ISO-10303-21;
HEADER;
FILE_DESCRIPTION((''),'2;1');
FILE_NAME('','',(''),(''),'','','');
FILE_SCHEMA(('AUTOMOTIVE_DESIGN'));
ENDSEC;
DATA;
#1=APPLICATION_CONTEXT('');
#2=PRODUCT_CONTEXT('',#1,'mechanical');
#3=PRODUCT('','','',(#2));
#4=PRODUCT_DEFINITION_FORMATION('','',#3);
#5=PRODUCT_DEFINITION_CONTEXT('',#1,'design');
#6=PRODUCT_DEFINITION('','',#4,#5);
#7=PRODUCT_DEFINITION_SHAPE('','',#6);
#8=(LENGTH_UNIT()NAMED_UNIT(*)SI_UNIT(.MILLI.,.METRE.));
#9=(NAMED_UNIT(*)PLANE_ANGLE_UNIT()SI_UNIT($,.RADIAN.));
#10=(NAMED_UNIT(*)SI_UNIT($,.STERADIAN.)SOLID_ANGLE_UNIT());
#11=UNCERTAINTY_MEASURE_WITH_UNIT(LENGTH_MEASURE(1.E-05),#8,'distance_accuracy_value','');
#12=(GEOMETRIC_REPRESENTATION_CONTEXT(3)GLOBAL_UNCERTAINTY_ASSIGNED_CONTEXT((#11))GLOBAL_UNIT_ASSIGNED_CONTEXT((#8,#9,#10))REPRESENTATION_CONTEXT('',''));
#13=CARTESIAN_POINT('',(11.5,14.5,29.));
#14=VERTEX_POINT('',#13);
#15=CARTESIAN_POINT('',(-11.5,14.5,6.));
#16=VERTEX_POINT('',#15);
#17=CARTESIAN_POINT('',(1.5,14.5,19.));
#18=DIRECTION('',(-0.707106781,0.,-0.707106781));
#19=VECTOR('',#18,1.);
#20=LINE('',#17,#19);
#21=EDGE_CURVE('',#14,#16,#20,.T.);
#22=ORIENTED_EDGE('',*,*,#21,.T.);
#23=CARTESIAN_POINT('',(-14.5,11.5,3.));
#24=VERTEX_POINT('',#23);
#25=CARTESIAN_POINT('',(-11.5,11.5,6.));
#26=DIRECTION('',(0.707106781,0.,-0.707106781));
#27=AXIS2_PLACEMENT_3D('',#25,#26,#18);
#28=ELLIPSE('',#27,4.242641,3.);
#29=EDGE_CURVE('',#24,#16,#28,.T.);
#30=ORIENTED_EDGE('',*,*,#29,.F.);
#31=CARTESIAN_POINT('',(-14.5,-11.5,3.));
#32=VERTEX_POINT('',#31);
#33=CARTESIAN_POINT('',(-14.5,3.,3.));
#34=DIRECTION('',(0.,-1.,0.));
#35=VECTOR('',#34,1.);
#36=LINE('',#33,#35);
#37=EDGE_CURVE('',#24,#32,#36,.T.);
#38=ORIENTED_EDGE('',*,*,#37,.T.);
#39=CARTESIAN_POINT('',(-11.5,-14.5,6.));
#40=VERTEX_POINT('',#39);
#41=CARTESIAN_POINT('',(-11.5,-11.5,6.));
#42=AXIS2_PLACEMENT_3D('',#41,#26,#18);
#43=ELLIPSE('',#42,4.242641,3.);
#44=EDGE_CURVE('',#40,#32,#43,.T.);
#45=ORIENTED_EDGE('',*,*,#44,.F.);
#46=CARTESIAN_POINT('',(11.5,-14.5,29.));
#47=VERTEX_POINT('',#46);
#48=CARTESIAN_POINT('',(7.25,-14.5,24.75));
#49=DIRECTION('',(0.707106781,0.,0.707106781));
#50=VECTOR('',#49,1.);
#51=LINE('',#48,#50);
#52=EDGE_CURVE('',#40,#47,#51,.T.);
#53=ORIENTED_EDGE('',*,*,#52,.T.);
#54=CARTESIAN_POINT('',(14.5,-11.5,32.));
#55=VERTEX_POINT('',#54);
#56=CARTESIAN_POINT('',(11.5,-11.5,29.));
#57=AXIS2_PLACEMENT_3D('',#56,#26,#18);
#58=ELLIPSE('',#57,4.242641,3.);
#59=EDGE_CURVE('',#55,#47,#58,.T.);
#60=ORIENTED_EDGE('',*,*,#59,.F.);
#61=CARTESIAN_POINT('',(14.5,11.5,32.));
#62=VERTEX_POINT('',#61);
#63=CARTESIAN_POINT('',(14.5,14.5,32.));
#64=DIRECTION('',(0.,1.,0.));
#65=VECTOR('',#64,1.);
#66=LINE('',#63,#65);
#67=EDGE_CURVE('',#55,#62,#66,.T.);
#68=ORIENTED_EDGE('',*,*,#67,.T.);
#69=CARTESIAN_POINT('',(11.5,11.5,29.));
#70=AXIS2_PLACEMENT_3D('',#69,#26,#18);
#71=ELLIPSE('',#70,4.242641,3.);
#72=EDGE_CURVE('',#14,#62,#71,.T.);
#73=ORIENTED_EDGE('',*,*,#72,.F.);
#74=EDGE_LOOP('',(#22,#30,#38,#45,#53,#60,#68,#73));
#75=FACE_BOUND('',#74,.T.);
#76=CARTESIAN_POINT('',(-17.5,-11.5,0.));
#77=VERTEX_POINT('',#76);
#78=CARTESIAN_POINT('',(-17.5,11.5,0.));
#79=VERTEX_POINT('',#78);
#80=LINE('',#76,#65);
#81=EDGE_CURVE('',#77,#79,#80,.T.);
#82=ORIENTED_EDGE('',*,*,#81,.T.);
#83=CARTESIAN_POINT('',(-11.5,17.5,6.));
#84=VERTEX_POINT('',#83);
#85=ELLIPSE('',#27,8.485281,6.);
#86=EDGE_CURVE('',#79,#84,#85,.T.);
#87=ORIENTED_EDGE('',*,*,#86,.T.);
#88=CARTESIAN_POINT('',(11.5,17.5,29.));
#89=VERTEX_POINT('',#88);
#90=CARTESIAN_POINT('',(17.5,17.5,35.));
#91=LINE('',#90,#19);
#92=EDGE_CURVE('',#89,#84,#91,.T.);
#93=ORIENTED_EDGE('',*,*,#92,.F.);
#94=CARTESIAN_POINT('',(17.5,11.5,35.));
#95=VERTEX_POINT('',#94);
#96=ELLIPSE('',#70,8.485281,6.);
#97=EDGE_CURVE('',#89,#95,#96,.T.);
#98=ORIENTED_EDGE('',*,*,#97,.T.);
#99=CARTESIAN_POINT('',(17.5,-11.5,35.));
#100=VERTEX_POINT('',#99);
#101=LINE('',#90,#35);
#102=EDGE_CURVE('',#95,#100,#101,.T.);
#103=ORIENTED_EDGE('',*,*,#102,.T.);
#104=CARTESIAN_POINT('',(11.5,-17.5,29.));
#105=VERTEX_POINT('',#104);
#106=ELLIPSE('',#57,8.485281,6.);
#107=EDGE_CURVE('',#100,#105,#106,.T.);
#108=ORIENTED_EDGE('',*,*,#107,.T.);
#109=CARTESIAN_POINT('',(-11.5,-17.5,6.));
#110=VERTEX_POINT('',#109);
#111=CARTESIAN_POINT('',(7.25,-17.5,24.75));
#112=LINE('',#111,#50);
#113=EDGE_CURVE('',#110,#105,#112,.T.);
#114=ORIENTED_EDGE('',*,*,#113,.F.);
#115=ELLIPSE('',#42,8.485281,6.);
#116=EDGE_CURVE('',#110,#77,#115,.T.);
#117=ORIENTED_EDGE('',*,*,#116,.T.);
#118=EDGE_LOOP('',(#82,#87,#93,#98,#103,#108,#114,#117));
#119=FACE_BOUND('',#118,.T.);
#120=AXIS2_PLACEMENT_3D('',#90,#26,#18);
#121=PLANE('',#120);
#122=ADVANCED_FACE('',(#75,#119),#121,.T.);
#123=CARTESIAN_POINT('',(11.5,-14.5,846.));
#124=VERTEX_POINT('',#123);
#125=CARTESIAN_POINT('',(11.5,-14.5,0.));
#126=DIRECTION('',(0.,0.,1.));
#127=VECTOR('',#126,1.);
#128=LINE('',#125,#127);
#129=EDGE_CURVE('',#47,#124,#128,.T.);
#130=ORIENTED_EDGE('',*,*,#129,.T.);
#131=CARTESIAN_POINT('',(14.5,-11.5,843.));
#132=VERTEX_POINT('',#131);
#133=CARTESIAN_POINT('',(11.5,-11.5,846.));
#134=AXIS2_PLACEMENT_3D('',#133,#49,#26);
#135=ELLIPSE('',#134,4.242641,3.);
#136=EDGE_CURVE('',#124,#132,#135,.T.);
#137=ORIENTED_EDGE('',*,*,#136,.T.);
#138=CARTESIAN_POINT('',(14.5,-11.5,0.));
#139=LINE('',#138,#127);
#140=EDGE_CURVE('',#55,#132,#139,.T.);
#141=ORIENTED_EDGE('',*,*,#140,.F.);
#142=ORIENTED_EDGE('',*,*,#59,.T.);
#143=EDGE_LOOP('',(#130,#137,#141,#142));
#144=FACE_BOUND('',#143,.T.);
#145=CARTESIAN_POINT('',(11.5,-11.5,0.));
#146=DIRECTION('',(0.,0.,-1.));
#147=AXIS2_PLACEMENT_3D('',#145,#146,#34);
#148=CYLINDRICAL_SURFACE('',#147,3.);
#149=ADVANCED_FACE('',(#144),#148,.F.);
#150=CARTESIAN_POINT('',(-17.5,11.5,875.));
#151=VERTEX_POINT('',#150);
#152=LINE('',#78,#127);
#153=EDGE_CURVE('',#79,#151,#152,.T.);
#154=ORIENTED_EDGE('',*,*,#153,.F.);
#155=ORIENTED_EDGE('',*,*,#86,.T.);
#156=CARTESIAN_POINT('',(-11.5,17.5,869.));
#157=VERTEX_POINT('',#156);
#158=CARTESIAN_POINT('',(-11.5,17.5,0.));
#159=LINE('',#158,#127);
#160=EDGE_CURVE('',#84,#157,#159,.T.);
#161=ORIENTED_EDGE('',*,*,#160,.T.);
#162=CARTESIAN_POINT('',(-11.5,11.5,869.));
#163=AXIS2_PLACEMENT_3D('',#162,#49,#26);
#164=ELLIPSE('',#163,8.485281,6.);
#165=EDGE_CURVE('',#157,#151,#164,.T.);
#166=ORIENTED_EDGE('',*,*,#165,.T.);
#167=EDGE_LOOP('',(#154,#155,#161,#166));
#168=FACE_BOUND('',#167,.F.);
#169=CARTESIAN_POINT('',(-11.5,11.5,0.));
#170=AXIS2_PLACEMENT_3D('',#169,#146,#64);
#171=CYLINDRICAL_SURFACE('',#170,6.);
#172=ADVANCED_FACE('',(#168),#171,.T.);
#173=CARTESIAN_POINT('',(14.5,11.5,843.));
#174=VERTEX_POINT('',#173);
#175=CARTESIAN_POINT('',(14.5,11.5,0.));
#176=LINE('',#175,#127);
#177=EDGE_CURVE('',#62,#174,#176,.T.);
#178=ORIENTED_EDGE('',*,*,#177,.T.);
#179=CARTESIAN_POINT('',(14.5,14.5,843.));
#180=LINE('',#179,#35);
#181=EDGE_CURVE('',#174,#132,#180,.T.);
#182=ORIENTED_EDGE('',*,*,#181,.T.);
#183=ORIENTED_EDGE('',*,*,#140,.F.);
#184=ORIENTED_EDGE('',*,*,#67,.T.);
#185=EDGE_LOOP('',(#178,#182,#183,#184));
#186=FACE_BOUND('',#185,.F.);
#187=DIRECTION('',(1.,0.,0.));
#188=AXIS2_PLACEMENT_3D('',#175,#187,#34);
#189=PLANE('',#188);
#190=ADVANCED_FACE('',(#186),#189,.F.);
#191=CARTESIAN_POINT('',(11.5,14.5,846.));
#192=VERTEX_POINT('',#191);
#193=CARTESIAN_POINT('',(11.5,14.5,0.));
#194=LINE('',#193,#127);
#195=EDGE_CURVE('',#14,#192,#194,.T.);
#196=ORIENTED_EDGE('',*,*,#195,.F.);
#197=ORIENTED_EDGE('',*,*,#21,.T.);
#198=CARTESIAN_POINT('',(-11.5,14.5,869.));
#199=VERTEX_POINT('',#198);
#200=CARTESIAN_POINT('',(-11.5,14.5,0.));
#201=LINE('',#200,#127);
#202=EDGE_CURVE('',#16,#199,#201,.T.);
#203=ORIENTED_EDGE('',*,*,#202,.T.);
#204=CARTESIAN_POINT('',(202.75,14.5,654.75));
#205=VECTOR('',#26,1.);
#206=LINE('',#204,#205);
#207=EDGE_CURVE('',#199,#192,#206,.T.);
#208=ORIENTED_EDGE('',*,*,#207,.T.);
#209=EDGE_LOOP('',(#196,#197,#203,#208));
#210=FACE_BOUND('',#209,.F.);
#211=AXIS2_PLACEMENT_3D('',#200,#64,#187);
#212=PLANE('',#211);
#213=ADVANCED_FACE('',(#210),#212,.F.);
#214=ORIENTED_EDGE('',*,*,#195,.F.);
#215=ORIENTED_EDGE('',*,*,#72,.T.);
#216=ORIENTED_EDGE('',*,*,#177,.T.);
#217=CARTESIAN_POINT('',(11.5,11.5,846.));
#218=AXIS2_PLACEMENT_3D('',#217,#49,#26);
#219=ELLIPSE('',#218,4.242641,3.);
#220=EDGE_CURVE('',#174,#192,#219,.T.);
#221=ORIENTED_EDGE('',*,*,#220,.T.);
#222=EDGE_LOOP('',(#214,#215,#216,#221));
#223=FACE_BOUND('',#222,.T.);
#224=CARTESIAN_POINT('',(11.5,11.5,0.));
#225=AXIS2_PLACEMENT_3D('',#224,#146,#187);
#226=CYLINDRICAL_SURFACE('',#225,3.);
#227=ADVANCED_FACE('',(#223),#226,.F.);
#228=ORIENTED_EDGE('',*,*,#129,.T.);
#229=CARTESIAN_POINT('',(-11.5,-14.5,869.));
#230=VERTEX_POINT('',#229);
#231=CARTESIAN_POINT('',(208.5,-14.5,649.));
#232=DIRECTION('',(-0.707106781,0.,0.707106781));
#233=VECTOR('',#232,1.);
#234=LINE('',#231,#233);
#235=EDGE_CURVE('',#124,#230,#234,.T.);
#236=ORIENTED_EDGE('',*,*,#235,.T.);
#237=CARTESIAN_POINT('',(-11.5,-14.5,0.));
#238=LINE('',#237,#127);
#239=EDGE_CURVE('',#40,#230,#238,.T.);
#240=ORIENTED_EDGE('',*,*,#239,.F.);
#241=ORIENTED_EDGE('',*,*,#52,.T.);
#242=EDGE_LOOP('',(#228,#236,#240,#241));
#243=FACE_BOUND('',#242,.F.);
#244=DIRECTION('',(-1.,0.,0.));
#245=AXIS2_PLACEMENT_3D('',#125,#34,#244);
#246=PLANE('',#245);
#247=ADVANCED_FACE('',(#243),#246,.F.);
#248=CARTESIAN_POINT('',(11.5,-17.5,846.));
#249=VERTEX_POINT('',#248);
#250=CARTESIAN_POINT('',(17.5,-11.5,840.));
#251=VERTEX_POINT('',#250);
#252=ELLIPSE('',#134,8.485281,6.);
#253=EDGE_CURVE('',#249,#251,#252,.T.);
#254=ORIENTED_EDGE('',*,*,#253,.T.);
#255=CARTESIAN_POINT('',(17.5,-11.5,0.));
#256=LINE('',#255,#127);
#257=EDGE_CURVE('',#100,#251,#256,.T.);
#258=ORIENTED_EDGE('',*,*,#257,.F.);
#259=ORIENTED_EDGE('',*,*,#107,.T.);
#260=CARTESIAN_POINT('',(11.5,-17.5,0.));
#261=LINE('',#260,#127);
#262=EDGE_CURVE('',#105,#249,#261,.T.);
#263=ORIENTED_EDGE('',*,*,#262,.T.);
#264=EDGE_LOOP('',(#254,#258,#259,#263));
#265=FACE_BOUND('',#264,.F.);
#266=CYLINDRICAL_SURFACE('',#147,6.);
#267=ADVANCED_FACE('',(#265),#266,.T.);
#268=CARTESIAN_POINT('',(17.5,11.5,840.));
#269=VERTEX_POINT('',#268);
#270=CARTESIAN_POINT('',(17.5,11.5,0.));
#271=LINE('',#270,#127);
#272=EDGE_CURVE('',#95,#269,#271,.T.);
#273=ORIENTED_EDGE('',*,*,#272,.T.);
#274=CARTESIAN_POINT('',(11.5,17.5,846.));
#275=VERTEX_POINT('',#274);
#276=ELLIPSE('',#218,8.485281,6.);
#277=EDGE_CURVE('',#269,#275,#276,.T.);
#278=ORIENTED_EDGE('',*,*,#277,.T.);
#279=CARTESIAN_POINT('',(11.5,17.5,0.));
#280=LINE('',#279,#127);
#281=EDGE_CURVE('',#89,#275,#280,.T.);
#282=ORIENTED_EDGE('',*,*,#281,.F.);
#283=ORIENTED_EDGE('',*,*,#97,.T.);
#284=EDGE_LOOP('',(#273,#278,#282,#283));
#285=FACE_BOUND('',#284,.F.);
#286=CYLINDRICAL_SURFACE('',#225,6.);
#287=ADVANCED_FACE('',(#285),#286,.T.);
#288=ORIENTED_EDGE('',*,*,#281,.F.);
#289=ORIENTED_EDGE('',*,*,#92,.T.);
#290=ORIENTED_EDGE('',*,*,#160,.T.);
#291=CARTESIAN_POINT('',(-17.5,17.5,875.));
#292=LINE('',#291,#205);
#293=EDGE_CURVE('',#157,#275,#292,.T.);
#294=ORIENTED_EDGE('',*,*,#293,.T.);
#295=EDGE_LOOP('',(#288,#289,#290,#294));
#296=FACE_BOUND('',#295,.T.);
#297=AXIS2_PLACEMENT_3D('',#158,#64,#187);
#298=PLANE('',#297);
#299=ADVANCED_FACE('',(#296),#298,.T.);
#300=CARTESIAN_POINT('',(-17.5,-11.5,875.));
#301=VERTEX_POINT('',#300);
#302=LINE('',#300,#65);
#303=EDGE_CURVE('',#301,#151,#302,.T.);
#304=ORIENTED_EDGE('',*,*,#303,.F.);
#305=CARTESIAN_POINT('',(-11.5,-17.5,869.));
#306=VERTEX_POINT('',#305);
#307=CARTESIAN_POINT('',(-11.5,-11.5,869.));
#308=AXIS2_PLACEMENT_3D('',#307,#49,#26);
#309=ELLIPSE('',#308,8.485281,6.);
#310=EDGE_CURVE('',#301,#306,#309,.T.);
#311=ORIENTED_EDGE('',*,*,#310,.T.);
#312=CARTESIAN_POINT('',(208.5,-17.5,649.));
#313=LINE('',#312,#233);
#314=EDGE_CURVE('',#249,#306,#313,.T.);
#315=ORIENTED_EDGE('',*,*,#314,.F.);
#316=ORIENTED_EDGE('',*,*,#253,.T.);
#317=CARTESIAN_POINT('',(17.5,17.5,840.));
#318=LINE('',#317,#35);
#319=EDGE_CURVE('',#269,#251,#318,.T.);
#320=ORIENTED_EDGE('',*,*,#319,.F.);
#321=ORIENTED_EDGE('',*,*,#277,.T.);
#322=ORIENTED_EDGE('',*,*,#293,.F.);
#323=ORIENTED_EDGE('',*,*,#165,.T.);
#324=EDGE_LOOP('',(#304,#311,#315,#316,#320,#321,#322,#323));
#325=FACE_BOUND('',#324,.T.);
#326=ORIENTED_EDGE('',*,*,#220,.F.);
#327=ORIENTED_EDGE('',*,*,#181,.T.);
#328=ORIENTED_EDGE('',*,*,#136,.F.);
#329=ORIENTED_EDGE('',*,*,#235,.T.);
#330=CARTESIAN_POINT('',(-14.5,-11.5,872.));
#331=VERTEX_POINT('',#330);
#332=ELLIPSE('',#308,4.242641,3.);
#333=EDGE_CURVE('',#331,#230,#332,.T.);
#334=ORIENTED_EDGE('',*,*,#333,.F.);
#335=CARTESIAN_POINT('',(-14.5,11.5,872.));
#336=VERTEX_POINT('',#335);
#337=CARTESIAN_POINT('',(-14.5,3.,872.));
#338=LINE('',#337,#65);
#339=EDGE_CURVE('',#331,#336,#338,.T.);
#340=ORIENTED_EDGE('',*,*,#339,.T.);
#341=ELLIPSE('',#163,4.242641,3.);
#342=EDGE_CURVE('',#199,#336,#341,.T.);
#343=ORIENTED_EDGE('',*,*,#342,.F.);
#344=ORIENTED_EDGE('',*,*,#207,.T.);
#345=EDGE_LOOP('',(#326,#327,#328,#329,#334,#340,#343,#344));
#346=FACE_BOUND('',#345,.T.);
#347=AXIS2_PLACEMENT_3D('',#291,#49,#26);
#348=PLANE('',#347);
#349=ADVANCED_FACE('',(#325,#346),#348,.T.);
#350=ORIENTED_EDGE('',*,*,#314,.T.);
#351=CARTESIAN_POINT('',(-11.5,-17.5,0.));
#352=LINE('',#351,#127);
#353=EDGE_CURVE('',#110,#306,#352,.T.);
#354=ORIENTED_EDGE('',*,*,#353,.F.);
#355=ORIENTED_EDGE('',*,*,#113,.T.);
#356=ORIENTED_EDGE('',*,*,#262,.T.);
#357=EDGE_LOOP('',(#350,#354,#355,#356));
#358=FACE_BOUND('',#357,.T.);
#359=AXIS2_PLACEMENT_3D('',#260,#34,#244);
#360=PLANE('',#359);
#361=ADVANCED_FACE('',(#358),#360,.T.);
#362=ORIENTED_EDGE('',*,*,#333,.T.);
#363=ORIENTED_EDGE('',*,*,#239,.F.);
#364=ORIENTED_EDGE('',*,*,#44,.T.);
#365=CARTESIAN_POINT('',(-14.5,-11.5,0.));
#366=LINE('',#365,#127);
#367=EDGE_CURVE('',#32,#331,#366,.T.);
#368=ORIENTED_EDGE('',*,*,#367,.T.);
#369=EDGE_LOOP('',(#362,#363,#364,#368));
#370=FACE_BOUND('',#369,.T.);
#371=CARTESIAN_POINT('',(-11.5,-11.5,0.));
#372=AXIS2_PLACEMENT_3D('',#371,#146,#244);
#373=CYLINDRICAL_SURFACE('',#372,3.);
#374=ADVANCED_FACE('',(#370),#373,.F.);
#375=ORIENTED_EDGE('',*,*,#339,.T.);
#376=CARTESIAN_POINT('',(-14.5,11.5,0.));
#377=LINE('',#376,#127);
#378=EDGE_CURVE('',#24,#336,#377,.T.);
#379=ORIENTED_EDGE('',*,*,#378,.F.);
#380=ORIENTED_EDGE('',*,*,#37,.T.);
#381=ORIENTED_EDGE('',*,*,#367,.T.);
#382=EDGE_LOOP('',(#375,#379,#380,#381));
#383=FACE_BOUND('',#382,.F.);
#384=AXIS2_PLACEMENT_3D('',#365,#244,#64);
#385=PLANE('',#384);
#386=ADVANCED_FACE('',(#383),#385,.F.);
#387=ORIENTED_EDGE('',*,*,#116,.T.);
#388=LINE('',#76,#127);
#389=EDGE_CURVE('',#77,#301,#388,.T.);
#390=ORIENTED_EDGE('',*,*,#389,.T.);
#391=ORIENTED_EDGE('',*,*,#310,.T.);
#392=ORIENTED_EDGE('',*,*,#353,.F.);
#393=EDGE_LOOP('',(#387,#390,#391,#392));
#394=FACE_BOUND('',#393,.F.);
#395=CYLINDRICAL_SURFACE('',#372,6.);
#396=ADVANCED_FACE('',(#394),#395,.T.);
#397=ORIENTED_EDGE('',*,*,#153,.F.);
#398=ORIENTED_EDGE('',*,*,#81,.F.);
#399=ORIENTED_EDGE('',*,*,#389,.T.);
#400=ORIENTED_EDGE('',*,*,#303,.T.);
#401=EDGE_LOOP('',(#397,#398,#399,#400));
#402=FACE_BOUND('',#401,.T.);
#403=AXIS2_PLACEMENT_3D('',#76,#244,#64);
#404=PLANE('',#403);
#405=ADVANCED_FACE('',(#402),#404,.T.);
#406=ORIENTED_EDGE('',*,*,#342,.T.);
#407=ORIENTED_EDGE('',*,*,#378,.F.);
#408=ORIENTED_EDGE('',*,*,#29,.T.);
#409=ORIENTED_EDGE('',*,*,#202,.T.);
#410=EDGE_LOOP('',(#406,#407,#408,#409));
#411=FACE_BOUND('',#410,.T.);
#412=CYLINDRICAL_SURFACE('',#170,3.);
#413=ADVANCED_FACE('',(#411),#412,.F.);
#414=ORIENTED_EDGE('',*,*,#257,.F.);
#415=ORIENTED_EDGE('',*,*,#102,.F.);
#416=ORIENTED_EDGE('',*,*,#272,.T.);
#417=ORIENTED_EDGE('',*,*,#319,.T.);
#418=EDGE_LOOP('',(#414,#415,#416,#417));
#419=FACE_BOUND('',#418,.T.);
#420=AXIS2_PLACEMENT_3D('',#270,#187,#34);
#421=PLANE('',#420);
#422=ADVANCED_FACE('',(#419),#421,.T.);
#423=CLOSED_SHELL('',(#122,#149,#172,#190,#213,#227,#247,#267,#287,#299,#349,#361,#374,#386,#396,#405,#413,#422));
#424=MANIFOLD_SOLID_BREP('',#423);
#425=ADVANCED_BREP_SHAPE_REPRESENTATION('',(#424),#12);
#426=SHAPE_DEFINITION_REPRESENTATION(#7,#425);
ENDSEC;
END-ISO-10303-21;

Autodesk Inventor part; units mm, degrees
ref_plane "YZ Plane" through (0, 0, 0) normal (1, 0, 0) x (0, 1, 0)
ref_plane "Počáteční rovina" through (0, 0, 0) normal (0, 0, 1) x (1, 0, 0)
ref_plane "Koncová rovina" through (0, 0, 875) normal (0, 0, 1) x (1, 0, 0)
sketch "Náčrt1" plane through (0, 0, 0) normal (0, 0, 1) x (1, 0, 0)
  line L0 (-11.5, 17.5) -> (11.5, 17.5)
  line L1 (17.5, 11.5) -> (17.5, -11.5)
  line L2 (11.5, -17.5) -> (-11.5, -17.5)
  line L3 (-17.5, -11.5) -> (-17.5, 11.5)
  arc A0 (-11.5, 17.5) -> (-17.5, 11.5) centre (-11.5, 11.5) ccw
  arc A1 (17.5, 11.5) -> (11.5, 17.5) centre (11.5, 11.5) ccw
  arc A2 (11.5, -17.5) -> (17.5, -11.5) centre (11.5, -11.5) ccw
  arc A3 (-17.5, -11.5) -> (-11.5, -17.5) centre (-11.5, -11.5) ccw
  line L4 (-21.8698, 0) -> (21.8698, 0) construction
  line L5 (0, -21.8698) -> (0, 21.8698) construction
  arc A4 (-11.5, 14.5) -> (-14.5, 11.5) centre (-11.5, 11.5) ccw
  line L6 (-11.5, 14.5) -> (11.5, 14.5)
  arc A5 (14.5, 11.5) -> (11.5, 14.5) centre (11.5, 11.5) ccw
  line L7 (14.5, 11.5) -> (14.5, -11.5)
  arc A6 (11.5, -14.5) -> (14.5, -11.5) centre (11.5, -11.5) ccw
  line L8 (11.5, -14.5) -> (-11.5, -14.5)
  arc A7 (-14.5, -11.5) -> (-11.5, -14.5) centre (-11.5, -11.5) ccw
  line L9 (-14.5, -11.5) -> (-14.5, 11.5)
  point P0 (-17.5, 17.5)
  point P1 (17.5, -17.5)
  point P2 (17.5, 17.5)
  dimension "b" = 35
  dimension "msp_r" = 6
  dimension "d8" = 17.5
  dimension "d9" = 17.5
  dimension "d10" = 3
extrude "Těleso" add sketch "Náčrt1" along normal up to surface (875 mm away) from surface at 0
sketch "Sketch2" plane through (0, 0, 0) normal (0, 0, 1) x (1, 0, 0)
  line L0 (0, 0) -> (10, 0)
ref_plane "Work Plane3" through (0, 0, 0) normal (0, -1, 0) x (1, 0, 0)
sketch "Sketch3" plane through (0, 0, 0) normal (0, -1, 0) x (1, 0, 0)
  line L0 (-2, 0) -> (12, 0)
  line L1 (-2, 875) -> (12, 875)
  dimension "d14" = 875
sketch "Náčrt4" plane through (11.5, 17.5, 875) normal (0, 1, 0) x (1, 0, 0)
  line L0 (-29, 875) -> (-29, 0) construction
  line L1 (6, 875) -> (6, 0) construction
  line L2 (-29, 875) -> (6, 875)
  line L3 (6, 875) -> (6, 840)
  line L4 (-29, 875) -> (-29, 0) construction
  line L5 (6, 840) -> (-29, 875)
  line L6 (-29, 0) -> (6, 35)
  line L7 (6, 875) -> (6, 0) construction
  line L8 (6, 35) -> (6, 0)
  line L9 (6, 0) -> (-29, 0)
  point P0 (-11.5, 875)
  dimension "d15" = 45
  dimension "d16" = 45
extrude "Vysunutí2" cut sketch "Náčrt4" against normal through all
equation "\"msp_r\" = 2 * ParT"
equation "\"d8\" = d9"
equation "\"d9\" = 0.5 * b"
equation "\"d10\" = ParT"
equation "\"G_OFFSET_START\" = 0"
equation "\"G_OFFSET_END\" = 0"
equation "\"d12\" = G_OFFSET_END + B_L"
equation "\"G_L\" = d14"
equation "\"B_L\" = 875"
equation "\"ParT\" = 3"
properties part number "CSN 426935 - 35x35x3-875" material "Nerezová ocel"
